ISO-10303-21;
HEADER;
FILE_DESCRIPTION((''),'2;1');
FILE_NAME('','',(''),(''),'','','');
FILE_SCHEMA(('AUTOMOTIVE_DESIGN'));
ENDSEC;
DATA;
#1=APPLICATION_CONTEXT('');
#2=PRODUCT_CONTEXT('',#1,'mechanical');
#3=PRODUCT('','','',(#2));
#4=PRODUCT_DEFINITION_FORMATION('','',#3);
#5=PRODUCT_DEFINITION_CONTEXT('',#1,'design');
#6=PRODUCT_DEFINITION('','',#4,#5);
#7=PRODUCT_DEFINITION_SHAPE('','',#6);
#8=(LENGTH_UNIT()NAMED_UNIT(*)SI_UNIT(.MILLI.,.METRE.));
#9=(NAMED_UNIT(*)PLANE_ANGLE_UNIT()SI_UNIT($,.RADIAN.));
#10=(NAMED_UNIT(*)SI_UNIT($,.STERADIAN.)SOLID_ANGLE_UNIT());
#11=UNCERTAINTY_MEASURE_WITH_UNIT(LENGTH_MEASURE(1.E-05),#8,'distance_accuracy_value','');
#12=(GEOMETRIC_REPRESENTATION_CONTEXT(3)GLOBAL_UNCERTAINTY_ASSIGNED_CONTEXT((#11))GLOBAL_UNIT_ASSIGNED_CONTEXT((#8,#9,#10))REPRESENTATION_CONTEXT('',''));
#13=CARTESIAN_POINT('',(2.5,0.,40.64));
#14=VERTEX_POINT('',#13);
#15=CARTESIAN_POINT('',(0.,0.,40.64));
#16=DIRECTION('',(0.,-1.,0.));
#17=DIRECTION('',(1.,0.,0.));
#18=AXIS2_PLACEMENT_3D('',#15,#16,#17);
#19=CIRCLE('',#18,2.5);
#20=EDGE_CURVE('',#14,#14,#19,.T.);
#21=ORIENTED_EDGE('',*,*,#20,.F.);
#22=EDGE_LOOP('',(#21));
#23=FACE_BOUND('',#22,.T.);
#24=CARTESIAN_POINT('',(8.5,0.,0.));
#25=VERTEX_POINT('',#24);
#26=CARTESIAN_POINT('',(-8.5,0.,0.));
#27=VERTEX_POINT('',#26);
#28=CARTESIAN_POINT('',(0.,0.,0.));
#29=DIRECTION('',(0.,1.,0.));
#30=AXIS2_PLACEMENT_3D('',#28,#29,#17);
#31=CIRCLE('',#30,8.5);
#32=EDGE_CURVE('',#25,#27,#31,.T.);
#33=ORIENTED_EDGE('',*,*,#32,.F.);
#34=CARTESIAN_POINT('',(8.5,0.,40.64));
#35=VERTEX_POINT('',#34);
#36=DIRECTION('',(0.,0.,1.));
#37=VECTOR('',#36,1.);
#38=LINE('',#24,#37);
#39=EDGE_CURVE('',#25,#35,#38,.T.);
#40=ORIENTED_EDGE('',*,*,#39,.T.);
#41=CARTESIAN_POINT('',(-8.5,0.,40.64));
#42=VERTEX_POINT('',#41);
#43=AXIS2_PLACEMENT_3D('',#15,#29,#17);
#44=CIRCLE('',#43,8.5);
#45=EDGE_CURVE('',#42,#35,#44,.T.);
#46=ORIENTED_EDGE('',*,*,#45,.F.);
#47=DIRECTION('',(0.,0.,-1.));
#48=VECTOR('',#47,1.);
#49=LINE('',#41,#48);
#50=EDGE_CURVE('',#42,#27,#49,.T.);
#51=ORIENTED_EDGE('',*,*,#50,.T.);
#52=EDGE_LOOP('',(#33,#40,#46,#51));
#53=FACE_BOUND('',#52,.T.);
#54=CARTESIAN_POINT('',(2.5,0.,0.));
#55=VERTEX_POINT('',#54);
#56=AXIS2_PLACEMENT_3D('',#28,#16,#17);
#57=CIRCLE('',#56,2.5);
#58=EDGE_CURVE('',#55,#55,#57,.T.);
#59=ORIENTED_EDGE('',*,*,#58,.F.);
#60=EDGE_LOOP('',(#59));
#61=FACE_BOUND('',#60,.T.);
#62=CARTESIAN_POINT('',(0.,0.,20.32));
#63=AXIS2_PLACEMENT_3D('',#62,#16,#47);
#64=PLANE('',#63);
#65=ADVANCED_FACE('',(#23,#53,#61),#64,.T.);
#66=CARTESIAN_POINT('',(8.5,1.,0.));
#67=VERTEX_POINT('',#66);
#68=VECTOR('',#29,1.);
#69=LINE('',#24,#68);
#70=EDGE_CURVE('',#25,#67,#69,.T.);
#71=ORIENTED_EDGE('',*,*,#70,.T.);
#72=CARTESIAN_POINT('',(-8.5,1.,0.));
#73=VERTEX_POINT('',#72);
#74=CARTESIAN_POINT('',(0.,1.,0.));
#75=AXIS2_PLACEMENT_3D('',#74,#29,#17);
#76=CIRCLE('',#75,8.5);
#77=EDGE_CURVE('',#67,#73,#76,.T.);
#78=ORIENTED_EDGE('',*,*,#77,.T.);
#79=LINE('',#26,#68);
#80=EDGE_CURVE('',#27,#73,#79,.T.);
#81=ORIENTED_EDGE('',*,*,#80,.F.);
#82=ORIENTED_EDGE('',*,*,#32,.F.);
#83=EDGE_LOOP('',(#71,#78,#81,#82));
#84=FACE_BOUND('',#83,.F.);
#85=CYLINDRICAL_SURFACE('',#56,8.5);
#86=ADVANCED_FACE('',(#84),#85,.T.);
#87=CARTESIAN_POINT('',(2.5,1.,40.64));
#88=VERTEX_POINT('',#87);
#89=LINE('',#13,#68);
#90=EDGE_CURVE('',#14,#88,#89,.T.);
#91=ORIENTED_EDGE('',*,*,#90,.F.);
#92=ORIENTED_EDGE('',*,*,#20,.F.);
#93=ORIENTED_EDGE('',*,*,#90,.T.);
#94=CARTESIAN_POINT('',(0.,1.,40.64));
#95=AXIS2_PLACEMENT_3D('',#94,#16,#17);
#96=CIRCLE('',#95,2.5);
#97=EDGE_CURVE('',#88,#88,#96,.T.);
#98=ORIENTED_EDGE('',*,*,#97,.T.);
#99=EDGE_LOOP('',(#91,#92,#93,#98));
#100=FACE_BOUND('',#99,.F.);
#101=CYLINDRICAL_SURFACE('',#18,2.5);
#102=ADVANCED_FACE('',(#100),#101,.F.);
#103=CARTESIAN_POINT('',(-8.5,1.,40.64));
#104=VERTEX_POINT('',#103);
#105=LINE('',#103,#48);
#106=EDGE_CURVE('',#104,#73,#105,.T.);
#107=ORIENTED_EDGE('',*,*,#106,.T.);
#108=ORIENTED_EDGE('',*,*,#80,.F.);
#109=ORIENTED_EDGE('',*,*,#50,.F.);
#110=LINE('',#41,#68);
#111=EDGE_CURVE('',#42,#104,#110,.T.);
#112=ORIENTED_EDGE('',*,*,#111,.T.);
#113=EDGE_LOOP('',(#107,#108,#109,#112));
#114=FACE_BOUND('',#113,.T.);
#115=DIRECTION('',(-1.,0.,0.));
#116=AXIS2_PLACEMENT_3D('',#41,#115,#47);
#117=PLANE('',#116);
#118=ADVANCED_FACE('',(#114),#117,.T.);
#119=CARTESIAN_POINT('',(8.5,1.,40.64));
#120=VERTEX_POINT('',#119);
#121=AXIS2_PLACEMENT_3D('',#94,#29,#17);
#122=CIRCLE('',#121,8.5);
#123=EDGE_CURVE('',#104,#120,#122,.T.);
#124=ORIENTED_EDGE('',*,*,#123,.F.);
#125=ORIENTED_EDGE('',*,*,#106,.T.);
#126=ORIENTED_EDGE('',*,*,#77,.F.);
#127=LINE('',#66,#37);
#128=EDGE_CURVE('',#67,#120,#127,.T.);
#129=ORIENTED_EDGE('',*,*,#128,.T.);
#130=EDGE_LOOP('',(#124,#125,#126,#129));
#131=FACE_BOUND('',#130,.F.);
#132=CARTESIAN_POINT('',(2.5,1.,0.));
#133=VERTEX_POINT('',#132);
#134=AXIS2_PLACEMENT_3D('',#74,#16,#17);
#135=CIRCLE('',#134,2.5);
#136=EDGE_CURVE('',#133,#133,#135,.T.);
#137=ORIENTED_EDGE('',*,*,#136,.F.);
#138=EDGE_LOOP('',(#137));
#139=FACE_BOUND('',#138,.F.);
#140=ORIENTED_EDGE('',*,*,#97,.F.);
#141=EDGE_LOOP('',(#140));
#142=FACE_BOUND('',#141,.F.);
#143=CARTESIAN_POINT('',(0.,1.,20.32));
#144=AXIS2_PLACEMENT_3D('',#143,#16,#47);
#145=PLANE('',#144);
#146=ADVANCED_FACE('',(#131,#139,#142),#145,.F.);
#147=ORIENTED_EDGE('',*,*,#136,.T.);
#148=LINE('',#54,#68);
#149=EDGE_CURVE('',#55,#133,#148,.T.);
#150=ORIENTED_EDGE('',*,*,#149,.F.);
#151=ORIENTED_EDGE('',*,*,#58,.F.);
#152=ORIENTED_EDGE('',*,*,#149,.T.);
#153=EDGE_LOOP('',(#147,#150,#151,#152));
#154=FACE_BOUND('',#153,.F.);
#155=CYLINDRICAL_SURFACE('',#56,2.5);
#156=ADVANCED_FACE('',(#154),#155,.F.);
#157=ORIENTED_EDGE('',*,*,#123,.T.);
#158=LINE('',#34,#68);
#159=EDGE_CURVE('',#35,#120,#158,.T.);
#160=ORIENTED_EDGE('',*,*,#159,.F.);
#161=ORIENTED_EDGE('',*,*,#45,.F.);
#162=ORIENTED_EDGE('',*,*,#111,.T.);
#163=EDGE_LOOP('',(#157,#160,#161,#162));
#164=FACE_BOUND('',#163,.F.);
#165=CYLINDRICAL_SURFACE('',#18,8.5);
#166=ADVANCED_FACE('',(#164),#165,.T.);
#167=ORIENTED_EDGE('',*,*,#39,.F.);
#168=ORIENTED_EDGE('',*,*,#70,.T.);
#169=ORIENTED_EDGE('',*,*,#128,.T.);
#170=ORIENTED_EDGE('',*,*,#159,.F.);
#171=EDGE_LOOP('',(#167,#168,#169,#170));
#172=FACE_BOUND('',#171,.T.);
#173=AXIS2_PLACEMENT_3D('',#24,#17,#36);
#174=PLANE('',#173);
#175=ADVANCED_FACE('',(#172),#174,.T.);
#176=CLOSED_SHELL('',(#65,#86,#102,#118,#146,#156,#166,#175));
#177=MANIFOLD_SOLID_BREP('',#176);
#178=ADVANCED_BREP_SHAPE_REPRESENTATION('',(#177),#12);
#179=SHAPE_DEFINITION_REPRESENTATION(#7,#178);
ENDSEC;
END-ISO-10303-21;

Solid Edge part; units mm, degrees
sketch "Sketch1" plane through (0, 0, 0) normal (0, -1, 0) x (1, 0, 0)
  line L0 (8.5, 0) -> (8.5, 40.64)
  line L1 (-8.5, 40.64) -> (-8.5, 0)
  arc A0 (-8.5, 40.64) -> (8.5, 40.64) centre (0, 40.64) cw
  arc A1 (8.5, 0) -> (-8.5, 0) centre (0, 0) cw
  circle A2 centre (0, 40.64) radius 2.5
  circle A3 centre (0, 0) radius 2.5
extrude "Protrusion1" add sketch "Sketch1" against normal blind 1
